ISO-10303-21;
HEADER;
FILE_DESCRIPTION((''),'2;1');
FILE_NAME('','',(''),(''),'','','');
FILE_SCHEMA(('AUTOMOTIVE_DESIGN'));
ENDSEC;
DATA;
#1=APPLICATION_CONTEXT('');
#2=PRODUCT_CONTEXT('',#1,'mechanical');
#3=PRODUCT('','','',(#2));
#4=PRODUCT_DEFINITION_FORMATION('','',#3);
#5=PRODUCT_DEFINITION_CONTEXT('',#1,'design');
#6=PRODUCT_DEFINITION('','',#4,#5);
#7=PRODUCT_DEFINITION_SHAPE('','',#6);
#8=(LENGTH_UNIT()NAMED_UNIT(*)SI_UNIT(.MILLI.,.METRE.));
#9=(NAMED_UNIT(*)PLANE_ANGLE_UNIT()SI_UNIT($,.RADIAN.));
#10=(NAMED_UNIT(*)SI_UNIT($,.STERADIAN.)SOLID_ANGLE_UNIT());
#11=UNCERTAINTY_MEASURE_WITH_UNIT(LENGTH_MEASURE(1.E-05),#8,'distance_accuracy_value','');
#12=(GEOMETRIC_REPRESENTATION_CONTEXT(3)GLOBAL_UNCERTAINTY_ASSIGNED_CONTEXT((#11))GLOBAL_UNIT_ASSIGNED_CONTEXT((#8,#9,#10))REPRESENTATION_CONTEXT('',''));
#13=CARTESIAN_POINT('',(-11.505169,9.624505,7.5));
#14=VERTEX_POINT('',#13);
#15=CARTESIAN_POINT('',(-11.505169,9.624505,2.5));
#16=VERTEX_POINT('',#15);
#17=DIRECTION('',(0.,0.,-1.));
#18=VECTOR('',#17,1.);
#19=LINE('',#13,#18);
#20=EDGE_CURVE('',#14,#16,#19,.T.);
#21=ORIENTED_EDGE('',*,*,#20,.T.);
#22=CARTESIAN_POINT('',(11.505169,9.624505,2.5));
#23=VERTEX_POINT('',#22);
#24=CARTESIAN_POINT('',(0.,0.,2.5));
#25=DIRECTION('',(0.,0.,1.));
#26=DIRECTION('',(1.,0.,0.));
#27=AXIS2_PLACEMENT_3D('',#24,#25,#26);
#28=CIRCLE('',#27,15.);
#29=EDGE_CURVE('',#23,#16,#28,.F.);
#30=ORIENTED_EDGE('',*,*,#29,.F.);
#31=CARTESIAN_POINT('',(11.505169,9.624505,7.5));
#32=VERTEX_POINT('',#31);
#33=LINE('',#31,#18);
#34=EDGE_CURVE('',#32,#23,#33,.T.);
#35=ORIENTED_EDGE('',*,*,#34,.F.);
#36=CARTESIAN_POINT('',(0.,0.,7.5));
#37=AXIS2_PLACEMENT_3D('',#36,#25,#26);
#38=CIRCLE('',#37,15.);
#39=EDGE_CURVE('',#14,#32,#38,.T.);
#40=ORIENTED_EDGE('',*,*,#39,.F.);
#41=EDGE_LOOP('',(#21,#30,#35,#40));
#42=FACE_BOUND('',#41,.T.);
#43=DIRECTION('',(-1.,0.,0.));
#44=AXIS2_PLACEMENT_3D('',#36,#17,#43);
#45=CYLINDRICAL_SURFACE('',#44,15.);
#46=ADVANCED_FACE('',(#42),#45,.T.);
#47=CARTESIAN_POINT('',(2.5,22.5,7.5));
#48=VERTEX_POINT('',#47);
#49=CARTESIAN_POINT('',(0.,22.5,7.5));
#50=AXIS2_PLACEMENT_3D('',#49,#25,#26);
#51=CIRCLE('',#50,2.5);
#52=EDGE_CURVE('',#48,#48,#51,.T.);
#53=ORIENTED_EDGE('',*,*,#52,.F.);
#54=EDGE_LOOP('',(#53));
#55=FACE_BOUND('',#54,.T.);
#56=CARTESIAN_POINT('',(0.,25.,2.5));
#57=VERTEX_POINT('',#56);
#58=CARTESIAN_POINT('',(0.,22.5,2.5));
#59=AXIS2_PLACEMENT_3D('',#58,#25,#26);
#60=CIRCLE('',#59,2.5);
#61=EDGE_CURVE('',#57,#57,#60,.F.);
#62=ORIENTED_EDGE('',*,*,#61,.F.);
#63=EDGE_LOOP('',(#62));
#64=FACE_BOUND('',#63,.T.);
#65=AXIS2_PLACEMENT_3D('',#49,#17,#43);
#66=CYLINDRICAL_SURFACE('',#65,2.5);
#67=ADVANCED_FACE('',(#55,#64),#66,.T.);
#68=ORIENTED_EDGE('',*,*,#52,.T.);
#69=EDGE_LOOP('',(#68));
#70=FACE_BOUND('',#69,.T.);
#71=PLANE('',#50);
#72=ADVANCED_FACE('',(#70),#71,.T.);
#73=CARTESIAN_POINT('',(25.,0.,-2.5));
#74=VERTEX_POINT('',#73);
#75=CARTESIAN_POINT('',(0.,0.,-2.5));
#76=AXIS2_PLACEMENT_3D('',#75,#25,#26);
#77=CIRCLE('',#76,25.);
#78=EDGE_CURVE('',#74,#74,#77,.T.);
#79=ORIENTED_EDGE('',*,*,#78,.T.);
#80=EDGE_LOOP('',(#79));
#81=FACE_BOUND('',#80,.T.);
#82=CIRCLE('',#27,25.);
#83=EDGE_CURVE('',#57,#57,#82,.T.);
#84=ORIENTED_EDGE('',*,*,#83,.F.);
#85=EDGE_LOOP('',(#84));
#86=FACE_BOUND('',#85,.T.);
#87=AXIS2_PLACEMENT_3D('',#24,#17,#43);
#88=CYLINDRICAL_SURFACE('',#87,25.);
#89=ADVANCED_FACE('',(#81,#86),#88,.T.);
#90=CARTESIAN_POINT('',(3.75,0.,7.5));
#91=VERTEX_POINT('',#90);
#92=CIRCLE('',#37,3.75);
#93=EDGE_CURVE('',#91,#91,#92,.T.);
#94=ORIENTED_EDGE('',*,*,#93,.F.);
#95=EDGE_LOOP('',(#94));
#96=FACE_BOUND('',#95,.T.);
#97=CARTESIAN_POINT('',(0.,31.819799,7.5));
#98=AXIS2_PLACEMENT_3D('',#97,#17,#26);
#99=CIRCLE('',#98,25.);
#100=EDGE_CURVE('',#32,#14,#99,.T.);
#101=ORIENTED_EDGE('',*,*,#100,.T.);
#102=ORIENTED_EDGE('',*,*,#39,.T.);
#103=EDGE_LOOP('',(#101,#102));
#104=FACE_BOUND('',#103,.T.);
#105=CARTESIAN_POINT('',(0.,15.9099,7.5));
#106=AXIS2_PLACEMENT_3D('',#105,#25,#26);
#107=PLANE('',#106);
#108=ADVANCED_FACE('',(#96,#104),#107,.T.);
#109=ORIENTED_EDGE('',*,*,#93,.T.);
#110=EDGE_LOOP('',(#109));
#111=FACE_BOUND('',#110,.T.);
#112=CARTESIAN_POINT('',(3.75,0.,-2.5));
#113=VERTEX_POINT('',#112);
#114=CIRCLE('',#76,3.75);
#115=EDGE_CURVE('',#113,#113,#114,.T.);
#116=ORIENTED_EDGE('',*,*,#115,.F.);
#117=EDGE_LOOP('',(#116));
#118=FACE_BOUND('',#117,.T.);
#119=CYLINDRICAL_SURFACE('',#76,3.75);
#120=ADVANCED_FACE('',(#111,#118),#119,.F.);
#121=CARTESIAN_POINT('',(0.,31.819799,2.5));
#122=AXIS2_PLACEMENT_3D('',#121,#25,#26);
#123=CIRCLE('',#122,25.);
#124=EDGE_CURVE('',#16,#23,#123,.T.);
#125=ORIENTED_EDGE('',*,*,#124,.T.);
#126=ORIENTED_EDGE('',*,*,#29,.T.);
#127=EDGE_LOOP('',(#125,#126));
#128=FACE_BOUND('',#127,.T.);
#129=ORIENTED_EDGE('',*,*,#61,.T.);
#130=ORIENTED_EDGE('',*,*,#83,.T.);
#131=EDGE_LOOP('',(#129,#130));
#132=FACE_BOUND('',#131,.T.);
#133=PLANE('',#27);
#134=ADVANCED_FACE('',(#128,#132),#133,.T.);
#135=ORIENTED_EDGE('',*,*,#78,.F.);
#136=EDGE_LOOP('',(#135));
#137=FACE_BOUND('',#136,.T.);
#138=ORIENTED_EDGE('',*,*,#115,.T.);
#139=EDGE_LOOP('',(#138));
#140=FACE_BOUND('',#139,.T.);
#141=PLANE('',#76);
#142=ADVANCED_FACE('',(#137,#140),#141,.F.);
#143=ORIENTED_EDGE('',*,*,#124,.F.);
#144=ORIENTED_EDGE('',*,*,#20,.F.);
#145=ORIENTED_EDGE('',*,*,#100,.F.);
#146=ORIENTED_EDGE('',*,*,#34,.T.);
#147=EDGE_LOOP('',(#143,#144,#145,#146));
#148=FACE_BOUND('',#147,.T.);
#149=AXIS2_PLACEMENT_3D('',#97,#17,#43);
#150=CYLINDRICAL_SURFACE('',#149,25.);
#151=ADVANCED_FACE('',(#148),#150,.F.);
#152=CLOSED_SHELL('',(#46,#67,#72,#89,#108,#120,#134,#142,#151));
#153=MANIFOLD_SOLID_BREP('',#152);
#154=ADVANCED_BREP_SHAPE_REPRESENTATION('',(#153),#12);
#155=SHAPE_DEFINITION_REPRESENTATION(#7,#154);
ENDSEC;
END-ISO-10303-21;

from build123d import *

# Parameters (mm, degrees)
SKETCH1_R           = 25
BOSS_EXTRUDE1_DEPTH = 2.5
SKETCH3_R           = 2.5
BOSS_EXTRUDE3_DEPTH = 7.5
SKETCH5_R           = 3.75
CUT_EXTRUDE1_DEPTH  = 37.742346142


with BuildPart() as part:
    # Sketch1 → Boss-Extrude1 (new, symmetric)
    with BuildSketch(Plane.XY):
        Circle(SKETCH1_R)
    extrude(amount=BOSS_EXTRUDE1_DEPTH, both=True)

    # Sketch3 → Boss-Extrude3 (add)
    with BuildSketch(Plane.XY):
        with Locations(Location((0, 22.5, 0), (0, 0, 90))):
            Circle(SKETCH3_R)
        with BuildLine():
            ThreePointArc((-11.505168712, 9.624504813), (0, -15), (11.505168712, 9.624504813))
            ThreePointArc((11.505168712, 9.624504813), (0, 6.8197992), (-11.505168712, 9.624504813))
        make_face()
    extrude(amount=BOSS_EXTRUDE3_DEPTH)

    # Sketch5 → Cut-Extrude1 (cut, through all)
    with BuildSketch(Plane.XY.offset(7.5)):
        Circle(SKETCH5_R)
    extrude(amount=-CUT_EXTRUDE1_DEPTH, mode=Mode.SUBTRACT)


solid = part.part
